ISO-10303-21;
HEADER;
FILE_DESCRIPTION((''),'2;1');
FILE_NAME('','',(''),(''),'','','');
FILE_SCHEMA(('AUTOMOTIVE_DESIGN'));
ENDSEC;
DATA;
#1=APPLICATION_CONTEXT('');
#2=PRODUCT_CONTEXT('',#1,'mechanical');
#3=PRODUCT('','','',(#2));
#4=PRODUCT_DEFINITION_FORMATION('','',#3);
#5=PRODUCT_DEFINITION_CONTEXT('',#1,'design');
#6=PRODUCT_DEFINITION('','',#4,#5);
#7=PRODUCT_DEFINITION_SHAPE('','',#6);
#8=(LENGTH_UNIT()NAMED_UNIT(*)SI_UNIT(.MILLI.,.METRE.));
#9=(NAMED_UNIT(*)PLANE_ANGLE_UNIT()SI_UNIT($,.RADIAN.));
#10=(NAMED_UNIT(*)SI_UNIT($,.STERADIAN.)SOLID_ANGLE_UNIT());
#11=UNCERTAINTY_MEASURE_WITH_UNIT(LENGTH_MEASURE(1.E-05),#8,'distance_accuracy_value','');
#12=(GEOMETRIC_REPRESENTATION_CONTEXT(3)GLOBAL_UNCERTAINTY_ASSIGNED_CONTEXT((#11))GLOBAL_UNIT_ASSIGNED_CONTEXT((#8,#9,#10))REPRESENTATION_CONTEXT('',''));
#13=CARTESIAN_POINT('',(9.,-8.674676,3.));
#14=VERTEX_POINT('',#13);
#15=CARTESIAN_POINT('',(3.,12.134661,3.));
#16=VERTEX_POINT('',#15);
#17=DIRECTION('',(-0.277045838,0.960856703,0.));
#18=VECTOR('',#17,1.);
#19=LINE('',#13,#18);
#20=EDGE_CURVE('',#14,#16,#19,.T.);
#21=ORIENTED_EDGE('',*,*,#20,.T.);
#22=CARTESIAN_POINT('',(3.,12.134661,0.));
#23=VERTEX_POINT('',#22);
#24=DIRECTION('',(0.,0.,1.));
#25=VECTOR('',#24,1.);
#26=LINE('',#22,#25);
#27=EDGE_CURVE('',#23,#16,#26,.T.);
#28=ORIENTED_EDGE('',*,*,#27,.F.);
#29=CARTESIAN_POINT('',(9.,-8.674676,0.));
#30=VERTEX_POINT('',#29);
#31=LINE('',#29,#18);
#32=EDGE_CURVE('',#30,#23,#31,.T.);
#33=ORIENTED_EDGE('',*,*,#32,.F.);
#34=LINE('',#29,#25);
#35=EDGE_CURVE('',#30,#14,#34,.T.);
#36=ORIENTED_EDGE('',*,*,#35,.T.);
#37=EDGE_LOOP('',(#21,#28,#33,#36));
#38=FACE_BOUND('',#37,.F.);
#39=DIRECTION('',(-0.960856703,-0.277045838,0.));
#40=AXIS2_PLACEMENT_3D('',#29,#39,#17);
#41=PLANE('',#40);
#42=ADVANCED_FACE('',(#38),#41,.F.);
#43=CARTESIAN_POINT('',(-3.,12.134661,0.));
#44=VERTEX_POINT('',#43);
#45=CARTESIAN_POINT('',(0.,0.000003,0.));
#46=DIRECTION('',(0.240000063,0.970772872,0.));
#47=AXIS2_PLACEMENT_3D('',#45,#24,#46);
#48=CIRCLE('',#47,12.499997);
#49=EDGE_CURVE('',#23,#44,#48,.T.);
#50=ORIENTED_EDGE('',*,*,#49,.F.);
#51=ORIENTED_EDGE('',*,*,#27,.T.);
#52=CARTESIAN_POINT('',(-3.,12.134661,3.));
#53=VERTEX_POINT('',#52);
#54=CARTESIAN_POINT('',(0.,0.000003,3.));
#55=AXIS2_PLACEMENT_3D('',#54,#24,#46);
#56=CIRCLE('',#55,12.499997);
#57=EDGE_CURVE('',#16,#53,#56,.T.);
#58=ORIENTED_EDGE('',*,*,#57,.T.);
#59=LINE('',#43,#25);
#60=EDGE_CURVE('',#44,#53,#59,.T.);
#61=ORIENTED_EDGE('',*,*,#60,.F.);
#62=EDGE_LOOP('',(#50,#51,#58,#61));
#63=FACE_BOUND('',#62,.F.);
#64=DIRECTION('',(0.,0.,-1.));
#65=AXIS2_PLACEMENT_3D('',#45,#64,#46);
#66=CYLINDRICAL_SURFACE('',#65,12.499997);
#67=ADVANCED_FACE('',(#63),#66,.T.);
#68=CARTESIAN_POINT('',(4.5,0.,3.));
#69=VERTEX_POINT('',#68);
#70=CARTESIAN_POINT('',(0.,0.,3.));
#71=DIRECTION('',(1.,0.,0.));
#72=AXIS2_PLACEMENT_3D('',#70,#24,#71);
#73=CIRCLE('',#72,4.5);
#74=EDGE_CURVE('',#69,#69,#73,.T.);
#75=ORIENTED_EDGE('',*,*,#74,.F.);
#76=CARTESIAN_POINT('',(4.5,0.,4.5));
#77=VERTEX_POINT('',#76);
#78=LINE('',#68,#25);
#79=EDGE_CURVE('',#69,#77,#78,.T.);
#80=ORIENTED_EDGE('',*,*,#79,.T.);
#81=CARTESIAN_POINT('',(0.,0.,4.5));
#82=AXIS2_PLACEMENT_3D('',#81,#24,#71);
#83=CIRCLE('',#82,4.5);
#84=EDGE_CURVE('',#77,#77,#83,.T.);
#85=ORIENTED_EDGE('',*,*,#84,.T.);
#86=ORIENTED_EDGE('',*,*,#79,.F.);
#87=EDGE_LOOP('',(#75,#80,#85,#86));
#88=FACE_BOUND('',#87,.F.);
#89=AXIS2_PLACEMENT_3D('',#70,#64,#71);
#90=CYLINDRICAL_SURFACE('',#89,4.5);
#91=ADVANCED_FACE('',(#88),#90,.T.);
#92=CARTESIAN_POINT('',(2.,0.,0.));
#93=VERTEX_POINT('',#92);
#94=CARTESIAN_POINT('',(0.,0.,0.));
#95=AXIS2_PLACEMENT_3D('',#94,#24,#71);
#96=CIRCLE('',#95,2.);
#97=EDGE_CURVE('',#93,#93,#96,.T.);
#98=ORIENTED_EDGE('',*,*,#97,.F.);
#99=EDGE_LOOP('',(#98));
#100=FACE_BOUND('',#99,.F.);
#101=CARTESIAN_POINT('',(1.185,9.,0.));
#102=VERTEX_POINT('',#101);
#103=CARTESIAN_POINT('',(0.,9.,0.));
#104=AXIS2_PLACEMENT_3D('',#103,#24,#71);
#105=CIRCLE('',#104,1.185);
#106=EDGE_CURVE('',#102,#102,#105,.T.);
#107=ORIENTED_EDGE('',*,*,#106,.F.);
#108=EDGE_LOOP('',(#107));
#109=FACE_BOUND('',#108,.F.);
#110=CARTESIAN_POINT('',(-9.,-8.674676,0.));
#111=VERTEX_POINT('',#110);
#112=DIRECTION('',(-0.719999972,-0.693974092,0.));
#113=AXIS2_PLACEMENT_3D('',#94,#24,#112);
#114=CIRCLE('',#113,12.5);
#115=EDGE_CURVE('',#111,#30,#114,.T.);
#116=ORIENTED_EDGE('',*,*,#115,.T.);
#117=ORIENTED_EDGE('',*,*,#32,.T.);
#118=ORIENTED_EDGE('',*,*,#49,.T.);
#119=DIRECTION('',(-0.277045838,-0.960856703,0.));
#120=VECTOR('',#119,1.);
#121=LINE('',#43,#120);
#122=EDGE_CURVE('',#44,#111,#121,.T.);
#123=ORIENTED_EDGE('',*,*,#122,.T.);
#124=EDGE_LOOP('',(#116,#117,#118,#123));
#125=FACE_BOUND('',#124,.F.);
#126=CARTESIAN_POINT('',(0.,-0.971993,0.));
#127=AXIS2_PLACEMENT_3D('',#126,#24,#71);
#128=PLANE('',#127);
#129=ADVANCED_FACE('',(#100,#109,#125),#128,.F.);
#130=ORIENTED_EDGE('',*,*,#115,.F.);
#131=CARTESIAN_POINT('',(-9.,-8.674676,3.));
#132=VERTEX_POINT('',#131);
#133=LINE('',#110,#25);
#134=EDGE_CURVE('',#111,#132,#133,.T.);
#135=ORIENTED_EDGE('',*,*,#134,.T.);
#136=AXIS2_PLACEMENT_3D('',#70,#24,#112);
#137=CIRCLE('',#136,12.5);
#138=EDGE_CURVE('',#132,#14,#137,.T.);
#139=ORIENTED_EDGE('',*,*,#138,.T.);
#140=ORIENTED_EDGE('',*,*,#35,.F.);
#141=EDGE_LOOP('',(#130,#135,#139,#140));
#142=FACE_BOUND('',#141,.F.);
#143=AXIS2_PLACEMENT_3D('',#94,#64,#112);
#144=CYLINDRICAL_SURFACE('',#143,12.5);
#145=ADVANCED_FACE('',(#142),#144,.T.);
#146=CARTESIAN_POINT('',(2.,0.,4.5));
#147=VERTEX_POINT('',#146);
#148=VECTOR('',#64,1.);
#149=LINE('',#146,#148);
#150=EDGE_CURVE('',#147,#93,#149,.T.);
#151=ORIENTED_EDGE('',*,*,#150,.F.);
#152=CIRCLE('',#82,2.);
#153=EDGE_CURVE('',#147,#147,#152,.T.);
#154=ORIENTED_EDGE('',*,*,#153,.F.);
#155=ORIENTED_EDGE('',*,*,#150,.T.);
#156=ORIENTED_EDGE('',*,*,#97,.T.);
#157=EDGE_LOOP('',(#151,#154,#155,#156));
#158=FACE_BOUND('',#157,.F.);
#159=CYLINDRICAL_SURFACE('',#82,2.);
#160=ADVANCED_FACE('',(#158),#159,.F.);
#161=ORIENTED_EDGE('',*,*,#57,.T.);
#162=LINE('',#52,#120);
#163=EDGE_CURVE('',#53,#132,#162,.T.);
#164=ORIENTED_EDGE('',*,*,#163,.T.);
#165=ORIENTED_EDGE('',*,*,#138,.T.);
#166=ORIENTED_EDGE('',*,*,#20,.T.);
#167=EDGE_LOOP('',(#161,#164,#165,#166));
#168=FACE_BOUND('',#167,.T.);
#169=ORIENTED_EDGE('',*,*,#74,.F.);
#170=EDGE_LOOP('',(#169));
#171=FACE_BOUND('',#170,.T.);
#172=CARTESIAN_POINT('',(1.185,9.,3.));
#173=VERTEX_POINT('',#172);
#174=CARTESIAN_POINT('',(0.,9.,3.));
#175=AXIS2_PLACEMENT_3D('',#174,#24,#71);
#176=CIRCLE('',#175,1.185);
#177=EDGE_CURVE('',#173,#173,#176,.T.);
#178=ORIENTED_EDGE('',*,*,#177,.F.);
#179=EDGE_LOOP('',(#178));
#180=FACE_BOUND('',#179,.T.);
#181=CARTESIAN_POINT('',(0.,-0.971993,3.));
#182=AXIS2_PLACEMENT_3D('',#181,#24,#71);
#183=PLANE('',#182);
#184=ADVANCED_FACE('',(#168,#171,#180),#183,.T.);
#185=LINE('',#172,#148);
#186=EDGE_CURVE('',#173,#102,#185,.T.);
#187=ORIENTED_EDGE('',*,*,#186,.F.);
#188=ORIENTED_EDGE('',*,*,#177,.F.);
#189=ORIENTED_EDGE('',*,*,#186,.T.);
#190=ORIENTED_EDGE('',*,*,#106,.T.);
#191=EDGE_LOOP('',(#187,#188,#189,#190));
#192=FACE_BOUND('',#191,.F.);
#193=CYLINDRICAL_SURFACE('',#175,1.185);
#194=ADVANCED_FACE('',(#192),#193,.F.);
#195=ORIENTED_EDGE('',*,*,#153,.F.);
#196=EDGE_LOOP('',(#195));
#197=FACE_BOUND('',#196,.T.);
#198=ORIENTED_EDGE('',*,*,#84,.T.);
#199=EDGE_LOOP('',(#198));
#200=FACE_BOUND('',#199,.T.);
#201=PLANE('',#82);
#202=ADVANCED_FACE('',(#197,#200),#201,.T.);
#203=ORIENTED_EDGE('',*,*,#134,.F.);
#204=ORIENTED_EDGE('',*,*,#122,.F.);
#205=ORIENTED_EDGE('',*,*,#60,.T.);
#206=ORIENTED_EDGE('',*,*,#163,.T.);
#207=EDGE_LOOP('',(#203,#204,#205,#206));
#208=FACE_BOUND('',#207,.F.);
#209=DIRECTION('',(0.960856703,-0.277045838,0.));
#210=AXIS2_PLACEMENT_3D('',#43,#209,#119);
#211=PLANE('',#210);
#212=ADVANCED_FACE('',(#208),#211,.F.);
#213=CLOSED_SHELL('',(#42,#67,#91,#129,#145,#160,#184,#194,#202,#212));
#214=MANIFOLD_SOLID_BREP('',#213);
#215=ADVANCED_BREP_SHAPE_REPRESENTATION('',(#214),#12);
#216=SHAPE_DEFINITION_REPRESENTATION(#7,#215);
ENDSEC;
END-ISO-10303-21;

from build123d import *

# Parameters (mm, degrees)
F1_DEPTH = 3
F2_R     = 1.185
F3_DEPTH = 3.001
F4_R     = 4.5
F5_DEPTH = 1.5
F6_R     = 2
F7_DEPTH = 4.501


with BuildPart() as f1:
    # F0 (on Top) → F1 (new body)
    with BuildSketch(Plane.XY):
        with BuildLine():
            Line((-3, 12.134661), (-9, -8.674676))
            ThreePointArc((-9, -8.674676), (0, -12.5), (9, -8.674676))
            Line((9, -8.674676), (3, 12.134661))
            ThreePointArc((3, 12.134661), (0, 12.5), (-3, 12.134661))
        make_face()
    extrude(amount=F1_DEPTH)

    # F2 (on face) → F3 (cut, through all)
    with BuildSketch(Plane.XY.offset(3)):
        with Locations((0, 9)):
            Circle(F2_R)
    extrude(amount=-F3_DEPTH, mode=Mode.SUBTRACT)

    # F4 (on face) → F5 (join)
    with BuildSketch(Plane.XY.offset(3)):
        Circle(F4_R)
    extrude(amount=F5_DEPTH)

    # F6 (on face) → F7 (cut, through all)
    with BuildSketch(Plane.XY.offset(4.5)):
        Circle(F6_R)
    extrude(amount=-F7_DEPTH, mode=Mode.SUBTRACT)


solid = f1.part
